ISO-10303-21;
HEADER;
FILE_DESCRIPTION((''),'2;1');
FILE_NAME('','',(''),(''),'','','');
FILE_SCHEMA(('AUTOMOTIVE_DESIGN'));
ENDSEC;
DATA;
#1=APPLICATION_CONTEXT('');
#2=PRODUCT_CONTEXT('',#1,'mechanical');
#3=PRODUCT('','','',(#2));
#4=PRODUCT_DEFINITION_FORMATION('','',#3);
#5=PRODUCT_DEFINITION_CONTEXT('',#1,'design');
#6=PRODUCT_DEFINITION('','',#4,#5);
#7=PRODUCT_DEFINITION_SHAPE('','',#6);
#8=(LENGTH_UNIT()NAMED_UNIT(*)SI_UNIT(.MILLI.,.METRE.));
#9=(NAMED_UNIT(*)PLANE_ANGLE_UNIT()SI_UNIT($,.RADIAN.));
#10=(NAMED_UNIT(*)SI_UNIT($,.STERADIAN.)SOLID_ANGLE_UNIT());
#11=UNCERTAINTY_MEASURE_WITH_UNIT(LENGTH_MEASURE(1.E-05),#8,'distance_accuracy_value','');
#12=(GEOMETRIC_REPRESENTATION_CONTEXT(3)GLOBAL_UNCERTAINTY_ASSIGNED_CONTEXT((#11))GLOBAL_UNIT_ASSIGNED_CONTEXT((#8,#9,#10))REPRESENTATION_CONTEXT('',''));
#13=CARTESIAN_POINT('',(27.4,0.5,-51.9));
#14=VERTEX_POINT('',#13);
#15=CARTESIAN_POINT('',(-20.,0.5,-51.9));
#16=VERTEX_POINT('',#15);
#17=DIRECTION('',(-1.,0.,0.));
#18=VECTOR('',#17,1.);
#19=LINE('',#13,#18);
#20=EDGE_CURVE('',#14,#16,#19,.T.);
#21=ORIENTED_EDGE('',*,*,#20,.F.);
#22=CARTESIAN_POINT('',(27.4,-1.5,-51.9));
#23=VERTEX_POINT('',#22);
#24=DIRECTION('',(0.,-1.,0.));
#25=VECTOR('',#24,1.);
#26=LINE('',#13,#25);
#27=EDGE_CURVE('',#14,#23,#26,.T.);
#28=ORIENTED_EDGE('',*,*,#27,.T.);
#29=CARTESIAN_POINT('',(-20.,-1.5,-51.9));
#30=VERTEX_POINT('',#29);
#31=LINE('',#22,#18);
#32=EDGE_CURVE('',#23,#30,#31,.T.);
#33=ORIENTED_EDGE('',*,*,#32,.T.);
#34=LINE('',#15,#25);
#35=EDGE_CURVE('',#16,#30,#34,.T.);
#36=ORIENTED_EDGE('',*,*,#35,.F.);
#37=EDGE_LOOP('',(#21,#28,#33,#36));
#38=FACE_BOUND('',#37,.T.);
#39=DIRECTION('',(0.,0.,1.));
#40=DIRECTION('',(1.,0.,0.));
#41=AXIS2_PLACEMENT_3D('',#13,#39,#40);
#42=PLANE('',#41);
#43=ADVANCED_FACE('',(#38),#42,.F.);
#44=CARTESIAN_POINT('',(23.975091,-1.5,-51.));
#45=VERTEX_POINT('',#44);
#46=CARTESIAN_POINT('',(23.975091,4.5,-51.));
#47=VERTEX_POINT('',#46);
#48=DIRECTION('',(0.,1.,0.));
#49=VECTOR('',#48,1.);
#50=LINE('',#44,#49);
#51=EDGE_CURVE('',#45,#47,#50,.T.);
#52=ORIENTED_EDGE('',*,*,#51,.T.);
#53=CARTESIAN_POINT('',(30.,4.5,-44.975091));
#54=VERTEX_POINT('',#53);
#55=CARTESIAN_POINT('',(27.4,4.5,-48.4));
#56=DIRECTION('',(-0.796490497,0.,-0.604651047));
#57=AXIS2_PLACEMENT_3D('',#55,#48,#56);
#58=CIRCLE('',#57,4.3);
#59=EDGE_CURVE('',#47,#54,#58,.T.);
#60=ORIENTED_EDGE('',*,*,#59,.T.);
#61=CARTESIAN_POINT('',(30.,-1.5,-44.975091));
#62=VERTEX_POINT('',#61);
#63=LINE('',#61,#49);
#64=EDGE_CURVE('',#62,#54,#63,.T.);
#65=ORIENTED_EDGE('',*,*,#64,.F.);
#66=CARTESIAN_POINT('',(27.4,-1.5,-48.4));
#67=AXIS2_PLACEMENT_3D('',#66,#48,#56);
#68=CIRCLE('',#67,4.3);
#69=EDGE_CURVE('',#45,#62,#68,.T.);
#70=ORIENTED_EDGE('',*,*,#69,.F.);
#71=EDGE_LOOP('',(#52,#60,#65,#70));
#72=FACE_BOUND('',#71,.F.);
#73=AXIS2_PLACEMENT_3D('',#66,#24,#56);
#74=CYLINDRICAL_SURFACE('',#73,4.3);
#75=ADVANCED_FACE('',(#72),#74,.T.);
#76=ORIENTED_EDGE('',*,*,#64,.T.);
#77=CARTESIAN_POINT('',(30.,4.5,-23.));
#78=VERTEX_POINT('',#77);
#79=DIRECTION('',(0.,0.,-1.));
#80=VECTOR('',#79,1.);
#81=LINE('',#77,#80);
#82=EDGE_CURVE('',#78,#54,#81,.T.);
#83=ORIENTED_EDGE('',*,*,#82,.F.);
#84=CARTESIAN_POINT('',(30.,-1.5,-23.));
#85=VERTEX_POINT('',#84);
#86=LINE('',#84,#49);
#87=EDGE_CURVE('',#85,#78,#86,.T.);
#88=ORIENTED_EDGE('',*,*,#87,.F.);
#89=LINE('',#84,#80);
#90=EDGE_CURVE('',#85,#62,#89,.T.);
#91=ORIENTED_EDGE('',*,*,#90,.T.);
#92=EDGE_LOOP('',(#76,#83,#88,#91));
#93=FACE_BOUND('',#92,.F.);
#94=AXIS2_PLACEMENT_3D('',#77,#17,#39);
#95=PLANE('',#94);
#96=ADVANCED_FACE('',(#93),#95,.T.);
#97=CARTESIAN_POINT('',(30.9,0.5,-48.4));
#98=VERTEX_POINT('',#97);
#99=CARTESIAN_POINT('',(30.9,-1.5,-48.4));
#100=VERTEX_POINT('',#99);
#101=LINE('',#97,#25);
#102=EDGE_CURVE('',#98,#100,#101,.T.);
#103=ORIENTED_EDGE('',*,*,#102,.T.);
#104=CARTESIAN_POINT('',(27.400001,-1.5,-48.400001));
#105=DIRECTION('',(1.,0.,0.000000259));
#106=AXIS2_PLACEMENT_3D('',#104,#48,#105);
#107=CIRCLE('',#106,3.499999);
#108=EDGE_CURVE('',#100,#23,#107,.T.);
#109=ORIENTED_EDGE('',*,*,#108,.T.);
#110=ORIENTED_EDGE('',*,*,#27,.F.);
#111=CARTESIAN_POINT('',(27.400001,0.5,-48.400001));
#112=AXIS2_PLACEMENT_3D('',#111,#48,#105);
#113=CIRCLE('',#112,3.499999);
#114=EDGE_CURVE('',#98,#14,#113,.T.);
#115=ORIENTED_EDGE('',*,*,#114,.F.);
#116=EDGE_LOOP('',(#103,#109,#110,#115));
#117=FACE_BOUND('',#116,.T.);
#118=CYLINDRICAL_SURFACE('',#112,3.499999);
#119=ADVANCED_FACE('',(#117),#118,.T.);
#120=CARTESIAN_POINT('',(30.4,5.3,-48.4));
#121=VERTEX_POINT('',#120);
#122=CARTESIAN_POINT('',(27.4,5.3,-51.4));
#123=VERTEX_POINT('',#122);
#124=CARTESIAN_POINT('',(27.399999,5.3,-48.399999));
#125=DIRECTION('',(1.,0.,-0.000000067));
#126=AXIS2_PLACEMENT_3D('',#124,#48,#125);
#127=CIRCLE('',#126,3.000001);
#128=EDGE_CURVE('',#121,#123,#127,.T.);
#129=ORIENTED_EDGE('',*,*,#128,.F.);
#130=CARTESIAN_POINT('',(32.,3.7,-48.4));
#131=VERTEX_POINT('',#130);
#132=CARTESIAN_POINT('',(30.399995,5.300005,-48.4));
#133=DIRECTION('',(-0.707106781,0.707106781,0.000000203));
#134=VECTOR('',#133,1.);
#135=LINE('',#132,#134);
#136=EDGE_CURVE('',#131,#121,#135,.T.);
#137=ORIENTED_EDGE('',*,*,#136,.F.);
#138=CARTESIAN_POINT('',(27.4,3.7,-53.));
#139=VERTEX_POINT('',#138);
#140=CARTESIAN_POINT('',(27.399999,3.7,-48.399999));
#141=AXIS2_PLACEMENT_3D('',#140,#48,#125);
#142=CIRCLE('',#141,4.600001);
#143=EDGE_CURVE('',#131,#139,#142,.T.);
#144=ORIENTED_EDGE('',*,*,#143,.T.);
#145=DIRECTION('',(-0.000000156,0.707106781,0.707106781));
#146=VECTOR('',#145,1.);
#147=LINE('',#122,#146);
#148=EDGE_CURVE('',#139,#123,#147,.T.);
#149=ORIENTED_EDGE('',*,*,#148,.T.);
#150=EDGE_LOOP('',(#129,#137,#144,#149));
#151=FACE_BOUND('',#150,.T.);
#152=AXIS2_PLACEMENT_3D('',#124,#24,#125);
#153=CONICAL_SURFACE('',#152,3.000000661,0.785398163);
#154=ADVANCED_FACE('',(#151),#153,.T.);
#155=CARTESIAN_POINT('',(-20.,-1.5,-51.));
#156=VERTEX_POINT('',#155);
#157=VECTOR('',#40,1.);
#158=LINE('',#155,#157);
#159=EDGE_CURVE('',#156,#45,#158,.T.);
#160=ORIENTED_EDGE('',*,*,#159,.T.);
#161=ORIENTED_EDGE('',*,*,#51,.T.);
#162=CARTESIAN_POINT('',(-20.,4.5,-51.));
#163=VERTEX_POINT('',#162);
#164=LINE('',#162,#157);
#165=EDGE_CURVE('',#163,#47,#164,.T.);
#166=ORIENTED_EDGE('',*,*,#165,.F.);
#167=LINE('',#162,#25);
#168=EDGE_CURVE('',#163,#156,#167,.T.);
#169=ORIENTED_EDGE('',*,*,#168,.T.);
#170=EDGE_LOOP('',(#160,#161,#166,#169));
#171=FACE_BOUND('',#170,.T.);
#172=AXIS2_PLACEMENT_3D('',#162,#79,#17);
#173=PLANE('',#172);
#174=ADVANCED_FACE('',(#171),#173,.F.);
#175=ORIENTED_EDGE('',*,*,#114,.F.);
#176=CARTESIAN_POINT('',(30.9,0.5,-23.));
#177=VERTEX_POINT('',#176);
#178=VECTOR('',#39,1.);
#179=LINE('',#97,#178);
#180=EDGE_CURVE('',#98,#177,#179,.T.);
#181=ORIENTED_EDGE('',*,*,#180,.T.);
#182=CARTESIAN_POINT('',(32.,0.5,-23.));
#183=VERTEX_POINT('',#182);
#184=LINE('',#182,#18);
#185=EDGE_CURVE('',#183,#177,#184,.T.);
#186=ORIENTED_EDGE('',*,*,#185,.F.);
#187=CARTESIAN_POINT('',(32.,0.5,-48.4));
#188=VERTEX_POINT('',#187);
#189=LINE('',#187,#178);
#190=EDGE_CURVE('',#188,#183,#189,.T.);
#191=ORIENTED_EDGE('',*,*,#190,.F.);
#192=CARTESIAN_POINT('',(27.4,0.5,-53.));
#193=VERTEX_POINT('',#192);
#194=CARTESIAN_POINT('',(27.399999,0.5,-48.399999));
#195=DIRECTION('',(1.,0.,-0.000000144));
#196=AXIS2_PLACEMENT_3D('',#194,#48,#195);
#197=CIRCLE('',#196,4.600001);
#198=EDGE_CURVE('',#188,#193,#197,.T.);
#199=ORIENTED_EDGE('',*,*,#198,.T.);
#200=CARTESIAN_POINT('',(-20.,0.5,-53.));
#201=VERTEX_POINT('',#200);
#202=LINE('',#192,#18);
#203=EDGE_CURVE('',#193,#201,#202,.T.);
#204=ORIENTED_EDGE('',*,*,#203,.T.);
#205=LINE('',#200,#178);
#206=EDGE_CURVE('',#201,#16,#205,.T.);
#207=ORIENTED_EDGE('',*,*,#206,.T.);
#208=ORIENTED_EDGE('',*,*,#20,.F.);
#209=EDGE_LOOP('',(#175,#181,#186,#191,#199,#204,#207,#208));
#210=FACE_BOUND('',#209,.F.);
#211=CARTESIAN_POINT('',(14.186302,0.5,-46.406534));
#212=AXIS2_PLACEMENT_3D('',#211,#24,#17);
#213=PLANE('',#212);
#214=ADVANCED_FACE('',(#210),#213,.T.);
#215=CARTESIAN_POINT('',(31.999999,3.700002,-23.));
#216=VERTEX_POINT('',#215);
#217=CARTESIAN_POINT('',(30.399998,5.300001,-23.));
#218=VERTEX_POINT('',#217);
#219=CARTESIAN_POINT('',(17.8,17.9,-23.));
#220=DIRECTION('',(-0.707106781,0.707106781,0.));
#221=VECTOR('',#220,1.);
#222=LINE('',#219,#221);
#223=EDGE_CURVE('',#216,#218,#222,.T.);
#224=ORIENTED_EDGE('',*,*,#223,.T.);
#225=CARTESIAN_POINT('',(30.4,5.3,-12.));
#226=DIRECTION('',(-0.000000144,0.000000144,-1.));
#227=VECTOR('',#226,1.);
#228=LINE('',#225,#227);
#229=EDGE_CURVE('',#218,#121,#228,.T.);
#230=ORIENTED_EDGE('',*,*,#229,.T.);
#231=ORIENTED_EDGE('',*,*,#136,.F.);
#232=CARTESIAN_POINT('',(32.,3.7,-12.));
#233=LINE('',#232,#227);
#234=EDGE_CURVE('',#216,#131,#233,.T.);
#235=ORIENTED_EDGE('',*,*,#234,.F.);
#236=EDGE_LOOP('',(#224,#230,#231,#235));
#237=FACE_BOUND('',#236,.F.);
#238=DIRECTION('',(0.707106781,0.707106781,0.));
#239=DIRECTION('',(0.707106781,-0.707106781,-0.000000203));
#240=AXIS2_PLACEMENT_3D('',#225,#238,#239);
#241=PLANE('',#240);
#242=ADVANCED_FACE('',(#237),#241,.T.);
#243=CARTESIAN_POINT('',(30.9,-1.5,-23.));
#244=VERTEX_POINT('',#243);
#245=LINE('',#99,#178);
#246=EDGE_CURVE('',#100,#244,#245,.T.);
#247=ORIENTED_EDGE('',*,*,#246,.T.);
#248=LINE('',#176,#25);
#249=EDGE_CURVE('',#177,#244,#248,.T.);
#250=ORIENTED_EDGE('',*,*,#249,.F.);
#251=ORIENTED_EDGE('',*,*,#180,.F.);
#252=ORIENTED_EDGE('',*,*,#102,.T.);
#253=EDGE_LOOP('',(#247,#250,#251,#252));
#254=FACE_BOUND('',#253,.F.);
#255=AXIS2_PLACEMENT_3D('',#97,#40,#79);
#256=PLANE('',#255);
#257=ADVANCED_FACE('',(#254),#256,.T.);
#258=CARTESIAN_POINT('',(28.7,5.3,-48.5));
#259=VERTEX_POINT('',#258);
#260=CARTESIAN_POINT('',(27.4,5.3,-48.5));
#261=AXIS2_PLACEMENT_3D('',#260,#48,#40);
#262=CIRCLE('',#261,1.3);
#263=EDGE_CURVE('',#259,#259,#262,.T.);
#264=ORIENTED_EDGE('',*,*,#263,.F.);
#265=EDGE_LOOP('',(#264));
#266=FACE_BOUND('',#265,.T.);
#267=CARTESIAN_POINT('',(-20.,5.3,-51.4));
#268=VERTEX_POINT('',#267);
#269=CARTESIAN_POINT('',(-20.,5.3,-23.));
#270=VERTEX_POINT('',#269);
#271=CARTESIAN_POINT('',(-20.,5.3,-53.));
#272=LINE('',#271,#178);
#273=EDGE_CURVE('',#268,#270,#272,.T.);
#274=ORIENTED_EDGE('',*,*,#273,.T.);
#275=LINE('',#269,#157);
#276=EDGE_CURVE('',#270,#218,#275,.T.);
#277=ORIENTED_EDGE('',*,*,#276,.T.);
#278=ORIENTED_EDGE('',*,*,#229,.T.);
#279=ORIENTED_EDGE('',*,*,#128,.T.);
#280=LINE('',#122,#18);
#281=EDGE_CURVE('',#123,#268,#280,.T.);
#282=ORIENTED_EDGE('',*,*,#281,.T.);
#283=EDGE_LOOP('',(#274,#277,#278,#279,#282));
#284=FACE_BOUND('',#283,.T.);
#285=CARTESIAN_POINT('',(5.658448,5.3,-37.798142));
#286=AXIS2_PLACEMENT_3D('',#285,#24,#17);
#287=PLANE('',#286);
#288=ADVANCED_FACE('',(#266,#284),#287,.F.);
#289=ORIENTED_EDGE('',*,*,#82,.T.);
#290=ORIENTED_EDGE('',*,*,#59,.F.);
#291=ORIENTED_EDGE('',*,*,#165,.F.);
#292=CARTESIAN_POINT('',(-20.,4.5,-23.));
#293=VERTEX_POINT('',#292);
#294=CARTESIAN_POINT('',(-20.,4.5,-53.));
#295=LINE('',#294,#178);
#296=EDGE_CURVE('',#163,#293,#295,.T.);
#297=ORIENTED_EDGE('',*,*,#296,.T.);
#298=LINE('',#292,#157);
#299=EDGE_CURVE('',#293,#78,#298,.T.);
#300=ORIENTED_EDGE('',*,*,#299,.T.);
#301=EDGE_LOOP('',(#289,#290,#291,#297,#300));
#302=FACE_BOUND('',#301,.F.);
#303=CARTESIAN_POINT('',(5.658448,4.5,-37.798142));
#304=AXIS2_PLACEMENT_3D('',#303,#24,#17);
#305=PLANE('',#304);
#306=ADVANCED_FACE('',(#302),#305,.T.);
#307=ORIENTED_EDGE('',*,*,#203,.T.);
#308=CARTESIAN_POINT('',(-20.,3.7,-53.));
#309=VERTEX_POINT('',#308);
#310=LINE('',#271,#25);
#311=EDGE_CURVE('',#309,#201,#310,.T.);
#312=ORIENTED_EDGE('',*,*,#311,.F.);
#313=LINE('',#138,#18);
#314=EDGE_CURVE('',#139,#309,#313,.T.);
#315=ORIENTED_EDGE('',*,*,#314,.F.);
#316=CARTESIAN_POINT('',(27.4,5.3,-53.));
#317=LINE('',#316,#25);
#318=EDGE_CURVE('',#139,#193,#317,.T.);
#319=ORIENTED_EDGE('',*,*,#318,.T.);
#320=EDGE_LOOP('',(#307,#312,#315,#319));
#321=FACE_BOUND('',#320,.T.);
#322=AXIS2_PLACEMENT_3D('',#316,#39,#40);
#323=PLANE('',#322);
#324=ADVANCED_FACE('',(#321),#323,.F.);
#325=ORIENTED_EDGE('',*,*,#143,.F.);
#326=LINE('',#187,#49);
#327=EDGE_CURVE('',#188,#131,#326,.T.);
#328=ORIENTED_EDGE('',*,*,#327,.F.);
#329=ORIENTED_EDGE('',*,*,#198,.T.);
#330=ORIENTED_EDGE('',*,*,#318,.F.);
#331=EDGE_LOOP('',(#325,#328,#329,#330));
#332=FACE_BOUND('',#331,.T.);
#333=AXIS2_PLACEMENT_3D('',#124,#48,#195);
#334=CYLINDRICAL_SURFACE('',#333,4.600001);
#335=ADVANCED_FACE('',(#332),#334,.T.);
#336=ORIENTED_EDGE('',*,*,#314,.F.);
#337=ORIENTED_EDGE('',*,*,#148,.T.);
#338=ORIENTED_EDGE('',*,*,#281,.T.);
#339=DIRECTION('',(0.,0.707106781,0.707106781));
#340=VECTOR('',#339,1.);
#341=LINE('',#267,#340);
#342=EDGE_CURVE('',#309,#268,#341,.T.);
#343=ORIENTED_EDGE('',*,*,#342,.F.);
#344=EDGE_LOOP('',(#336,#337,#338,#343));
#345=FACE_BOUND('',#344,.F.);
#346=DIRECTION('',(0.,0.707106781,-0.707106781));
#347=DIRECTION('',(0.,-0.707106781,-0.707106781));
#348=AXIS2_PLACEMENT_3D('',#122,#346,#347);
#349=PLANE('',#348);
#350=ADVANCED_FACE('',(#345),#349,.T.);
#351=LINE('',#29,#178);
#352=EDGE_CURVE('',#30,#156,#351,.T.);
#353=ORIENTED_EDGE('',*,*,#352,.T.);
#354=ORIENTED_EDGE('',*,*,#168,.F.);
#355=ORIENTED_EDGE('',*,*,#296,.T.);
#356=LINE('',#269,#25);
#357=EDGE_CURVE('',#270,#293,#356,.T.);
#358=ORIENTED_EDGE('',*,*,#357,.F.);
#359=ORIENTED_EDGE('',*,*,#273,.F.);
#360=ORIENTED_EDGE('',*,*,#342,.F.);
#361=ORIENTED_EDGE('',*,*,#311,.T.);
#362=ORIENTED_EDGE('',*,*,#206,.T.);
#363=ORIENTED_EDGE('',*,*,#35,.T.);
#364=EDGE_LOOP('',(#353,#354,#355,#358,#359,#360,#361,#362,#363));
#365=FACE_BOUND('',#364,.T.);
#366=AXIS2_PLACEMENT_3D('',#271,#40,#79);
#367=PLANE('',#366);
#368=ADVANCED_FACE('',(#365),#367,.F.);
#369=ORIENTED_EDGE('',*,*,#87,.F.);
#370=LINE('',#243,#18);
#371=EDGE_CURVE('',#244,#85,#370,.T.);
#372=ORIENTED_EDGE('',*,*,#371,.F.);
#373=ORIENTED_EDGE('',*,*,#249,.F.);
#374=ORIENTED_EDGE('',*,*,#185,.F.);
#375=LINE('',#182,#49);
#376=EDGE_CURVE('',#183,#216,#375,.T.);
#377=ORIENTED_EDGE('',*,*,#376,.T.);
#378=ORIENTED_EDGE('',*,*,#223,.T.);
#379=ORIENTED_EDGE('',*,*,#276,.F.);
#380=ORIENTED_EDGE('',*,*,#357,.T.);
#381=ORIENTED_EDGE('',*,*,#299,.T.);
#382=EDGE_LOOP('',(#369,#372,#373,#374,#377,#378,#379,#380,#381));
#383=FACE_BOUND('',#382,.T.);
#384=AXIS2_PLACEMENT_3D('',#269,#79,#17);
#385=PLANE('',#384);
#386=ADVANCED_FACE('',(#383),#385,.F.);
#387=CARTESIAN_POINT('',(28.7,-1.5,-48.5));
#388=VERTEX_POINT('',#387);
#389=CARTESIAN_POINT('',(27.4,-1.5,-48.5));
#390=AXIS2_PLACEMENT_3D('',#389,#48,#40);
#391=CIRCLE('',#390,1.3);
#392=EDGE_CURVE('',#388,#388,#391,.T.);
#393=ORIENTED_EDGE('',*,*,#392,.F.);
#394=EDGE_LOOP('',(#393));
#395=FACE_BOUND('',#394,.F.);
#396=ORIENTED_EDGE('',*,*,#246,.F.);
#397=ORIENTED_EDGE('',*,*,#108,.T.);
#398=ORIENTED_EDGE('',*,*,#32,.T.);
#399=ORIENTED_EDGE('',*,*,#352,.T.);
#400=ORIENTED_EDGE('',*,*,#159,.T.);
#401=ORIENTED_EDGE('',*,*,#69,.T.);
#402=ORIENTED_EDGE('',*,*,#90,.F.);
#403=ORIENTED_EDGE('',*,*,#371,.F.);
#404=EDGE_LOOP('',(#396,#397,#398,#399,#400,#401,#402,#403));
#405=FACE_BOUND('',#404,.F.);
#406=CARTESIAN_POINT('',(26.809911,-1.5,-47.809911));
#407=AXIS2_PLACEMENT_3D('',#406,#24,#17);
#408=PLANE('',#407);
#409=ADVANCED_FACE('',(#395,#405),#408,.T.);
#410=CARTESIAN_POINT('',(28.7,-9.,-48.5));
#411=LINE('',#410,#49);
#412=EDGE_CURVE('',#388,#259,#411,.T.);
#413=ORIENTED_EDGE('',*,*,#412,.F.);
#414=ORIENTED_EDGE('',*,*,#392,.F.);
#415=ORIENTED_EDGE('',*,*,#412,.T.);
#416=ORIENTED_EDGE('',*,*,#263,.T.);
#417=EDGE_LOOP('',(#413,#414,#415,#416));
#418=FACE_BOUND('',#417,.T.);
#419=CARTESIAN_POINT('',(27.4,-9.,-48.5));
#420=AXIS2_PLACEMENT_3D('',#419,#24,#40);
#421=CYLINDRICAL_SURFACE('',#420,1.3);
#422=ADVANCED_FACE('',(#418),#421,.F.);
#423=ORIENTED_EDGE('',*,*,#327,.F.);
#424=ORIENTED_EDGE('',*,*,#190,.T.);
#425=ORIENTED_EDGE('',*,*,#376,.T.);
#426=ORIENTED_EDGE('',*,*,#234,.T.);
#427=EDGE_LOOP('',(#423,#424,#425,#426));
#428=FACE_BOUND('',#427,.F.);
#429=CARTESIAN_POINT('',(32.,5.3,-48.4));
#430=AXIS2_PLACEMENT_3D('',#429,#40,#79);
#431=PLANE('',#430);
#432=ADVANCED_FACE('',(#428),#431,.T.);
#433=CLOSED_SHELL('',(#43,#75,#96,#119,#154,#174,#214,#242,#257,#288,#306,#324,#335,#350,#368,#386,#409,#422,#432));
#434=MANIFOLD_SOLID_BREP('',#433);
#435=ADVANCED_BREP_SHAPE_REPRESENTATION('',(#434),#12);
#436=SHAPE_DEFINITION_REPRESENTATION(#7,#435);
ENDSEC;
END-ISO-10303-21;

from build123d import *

# Parameters (mm, degrees)
SKETCH005_R      = 1.3
EXTRUDE003_DEPTH = 20
EXTRUDE039_DEPTH = 4
EXTRUDE042_DEPTH = 0.8
EXTRUDE002_DEPTH = 6
EXTRUDE037_DEPTH = 2


with BuildPart() as sweep001:
    # Sweep001: sweep along a path in Sketch034
    with BuildLine(Plane.XZ.offset(10)) as sweep001_path:
        Line((32, 12), (32, 48.4))
        ThreePointArc((32, 48.4), (30.652691, 51.652691), (27.4, 53))
        Line((27.4, 53), (-20, 53))
    # Sketch035 → Sweep001 (sweep)
    with BuildSketch(Plane.YZ):
        Polygon((5.3, 51.4), (3.7, 53), (3.7, 54), (6, 54), (6, 51.4), align=None)
    sweep(path=sweep001_path.line)


with BuildPart() as fusion030:
    # Sketch005 → Extrude003 (new body)
    with BuildSketch(Plane.XZ.offset(5)):
        with Locations((27.4, 48.5)):
            Circle(SKETCH005_R)
    extrude(amount=-EXTRUDE003_DEPTH)


with BuildPart() as fusion030_1:
    # Extrude003 placement: moved
    add(fusion030.part.moved(Location((0, -4, 0))))

    # Fusion030: union Sweep001
    add(sweep001.part)


with BuildPart() as top003:
    # Sketch028 → Extrude039 (new body)
    with BuildSketch(Plane.XZ.offset(10)):
        with BuildLine():
            ThreePointArc((32, 48.4), (30.652691, 51.652691), (27.4, 53))
            Line((27.4, 53), (-20, 53))
            Line((-20, 53), (-20, 51))
            Line((-20, 51), (27.4, 51))
            ThreePointArc((30, 48.4), (29.238478, 50.238478), (27.4, 51))
            Line((30, 23), (30, 48.4))
            Line((32, 23), (30, 23))
            Line((32, 48.4), (32, 23))
        make_face()
    extrude(amount=EXTRUDE039_DEPTH)


with BuildPart() as top003_1:
    # Extrude039 placement: moved
    add(top003.part.moved(Location((0, 14.5, 0))))


with BuildPart() as top002:
    # Sketch031 → Extrude042 (new body)
    with BuildSketch(Plane.XZ.offset(10)):
        with BuildLine():
            ThreePointArc((32, 48.4), (30.652691, 51.652691), (27.4, 53))
            Line((27.4, 53), (-20, 53))
            Line((-20, 53), (-20, 23))
            Line((-20, 23), (32, 23))
            Line((32, 48.4), (32, 23))
        make_face()
    extrude(amount=EXTRUDE042_DEPTH)


with BuildPart() as top002_1:
    # Extrude042 placement: moved
    add(top002.part.moved(Location((0, 15.3, 0))))


with BuildPart() as screw_hole_top:
    # Sketch004 → Extrude002 (new body)
    with BuildSketch(Plane.XZ.offset(10)):
        with BuildLine():
            ThreePointArc((23.975091, 51), (24.359441, 45.359441), (30, 44.975091))
            Line((30, 44.975091), (30, 48.4))
            ThreePointArc((30, 48.4), (29.238478, 50.238478), (27.4, 51))
            Line((23.975091, 51), (27.4, 51))
        make_face()
    extrude(amount=-EXTRUDE002_DEPTH)


with BuildPart() as screw_hole_top_1:
    # Extrude002 placement: moved
    add(screw_hole_top.part.moved(Location((0, 8.5, 0))))


with BuildPart() as top:
    # Sketch029 → Extrude037 (new body)
    with BuildSketch(Plane.XZ.offset(10)):
        with BuildLine():
            ThreePointArc((30.9, 48.4), (29.874874, 50.874874), (27.4, 51.9))
            Line((27.4, 51.9), (-20, 51.9))
            Line((-20, 51.9), (-20, 51))
            Line((-20, 51), (27.4, 51))
            ThreePointArc((30, 48.4), (29.238478, 50.238478), (27.4, 51))
            Line((30, 23), (30, 48.4))
            Line((30.9, 23), (30, 23))
            Line((30.9, 48.4), (30.9, 23))
        make_face()
    extrude(amount=EXTRUDE037_DEPTH)


with BuildPart() as top_1:
    # Extrude037 placement: moved
    add(top.part.moved(Location((0, 10.5, 0))))

    # Fusion028: union top003, top002, screw hole top
    add(top003_1.part)
    add(top002_1.part)
    add(screw_hole_top_1.part)

    # Cut024: cut Fusion030
    add(fusion030_1.part, mode=Mode.SUBTRACT)


with BuildPart() as part_mirroring001:
    # Part__Mirroring001: instance of top
    add(top_1.part.mirror(Plane(origin=(0, 0, 0), x_dir=(0, 1, 0), z_dir=(0, 0, 1))))


solid = part_mirroring001.part
